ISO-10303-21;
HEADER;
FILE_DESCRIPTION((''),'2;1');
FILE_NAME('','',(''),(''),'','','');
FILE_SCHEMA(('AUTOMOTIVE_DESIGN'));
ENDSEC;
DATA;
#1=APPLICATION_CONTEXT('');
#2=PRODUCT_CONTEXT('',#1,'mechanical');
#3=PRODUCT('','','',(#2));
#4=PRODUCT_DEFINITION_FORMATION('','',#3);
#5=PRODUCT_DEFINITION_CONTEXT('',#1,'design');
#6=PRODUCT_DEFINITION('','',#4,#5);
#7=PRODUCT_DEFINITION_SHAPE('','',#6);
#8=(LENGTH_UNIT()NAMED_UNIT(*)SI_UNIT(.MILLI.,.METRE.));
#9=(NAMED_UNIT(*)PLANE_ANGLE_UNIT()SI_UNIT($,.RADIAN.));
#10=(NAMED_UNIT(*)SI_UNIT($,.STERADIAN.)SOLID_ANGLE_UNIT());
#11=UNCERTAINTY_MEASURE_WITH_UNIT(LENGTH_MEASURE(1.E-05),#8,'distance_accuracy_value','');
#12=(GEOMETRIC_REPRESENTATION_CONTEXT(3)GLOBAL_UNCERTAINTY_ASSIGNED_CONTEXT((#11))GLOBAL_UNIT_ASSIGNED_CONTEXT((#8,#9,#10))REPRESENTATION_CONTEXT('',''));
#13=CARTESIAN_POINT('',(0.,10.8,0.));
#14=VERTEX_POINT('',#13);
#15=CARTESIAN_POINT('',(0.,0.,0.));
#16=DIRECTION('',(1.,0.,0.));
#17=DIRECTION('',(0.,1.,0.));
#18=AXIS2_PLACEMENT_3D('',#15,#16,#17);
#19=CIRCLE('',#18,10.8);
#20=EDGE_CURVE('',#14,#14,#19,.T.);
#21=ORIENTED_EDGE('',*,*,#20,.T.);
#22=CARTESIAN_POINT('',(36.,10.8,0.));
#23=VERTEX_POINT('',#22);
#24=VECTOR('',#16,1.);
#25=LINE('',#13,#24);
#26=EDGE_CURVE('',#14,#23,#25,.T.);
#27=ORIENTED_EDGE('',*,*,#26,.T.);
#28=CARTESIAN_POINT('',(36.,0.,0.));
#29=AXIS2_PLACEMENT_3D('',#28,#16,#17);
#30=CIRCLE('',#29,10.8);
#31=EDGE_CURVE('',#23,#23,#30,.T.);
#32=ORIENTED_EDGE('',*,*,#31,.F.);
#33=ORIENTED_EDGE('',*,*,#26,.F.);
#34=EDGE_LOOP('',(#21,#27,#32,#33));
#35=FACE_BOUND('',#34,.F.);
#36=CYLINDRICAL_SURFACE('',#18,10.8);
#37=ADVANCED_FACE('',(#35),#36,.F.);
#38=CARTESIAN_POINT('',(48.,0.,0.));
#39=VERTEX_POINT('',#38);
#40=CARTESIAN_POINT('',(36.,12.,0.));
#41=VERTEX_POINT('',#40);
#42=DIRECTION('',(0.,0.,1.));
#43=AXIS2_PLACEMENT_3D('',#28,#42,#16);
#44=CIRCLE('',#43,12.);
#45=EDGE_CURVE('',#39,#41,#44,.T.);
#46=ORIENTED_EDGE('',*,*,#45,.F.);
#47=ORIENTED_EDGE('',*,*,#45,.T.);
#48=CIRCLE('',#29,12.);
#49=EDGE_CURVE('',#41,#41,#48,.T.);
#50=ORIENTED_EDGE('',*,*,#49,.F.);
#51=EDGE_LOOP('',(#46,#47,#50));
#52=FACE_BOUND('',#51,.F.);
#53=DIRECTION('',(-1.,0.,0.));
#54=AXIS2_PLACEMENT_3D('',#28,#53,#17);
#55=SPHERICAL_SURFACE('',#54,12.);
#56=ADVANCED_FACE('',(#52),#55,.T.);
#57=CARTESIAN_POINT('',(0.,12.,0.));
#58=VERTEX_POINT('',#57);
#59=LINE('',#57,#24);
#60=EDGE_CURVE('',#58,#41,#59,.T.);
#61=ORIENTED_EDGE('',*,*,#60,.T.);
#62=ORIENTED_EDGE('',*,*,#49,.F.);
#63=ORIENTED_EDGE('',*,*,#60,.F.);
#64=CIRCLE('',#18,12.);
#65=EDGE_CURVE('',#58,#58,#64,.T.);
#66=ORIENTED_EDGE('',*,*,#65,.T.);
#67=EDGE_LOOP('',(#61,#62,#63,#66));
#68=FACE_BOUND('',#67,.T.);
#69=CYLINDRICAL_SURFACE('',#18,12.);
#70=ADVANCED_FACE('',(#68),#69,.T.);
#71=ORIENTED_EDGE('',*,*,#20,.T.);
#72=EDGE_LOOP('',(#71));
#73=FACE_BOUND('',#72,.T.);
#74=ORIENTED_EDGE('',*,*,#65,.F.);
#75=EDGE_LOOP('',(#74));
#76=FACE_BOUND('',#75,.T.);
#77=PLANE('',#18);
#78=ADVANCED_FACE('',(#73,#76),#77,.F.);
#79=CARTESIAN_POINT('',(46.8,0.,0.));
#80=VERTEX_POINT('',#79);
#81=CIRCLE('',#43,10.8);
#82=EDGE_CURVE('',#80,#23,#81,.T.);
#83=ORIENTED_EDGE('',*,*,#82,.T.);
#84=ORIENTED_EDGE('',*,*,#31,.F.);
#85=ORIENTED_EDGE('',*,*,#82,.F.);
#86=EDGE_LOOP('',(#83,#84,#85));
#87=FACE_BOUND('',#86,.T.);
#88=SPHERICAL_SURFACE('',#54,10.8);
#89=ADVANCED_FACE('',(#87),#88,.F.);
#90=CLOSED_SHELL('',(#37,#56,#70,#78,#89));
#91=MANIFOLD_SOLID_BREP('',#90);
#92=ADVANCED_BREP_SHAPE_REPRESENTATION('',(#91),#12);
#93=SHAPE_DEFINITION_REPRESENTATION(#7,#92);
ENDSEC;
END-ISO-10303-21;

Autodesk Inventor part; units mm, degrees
ref_plane "YZ Plane" through (0, 0, 0) normal (1, 0, 0) x (0, 1, 0)
ref_plane "XZ Plane" through (0, 0, 0) normal (0, 1, 0) x (-1, 0, 0)
ref_plane "XY Plane" through (0, 0, 0) normal (0, 0, 1) x (1, 0, 0)
sketch "Skizze1" plane through (0, 0, 0) normal (0, 0, 1) x (1, 0, 0)
  line L0 (0, -2.8971) -> (0, 17.3823) projected
  line L1 (-10.0971, 0) -> (60.5823, 0) projected
  line L2 (0, 12) -> (36, 12)
  arc A0 (48, 0) -> (36, 12) centre (36, 0) ccw
  line L3 (0, 12) -> (0, 10.8)
  line L4 (0, 10.8) -> (36, 10.8)
  arc A1 (46.8, 0) -> (36, 10.8) centre (36, 0) ccw
  line L5 (46.8, 0) -> (48, 0)
  point P0 (0, 0)
  dimension "d0" = 24
  dimension "d1" = 21.6
  dimension "d2" = 12
  dimension "d4" = 1.2
  dimension "d5" = 48
  dimension "d6" = 46.8
revolve "Umdrehung1" add sketch "Skizze1" angle 360 about axis through (-10, 0, 0) along (1, 0, 0) contours L0 L2 A0 L1 A1 L4
properties part number "Verdrängerkolben" material "Glas"
